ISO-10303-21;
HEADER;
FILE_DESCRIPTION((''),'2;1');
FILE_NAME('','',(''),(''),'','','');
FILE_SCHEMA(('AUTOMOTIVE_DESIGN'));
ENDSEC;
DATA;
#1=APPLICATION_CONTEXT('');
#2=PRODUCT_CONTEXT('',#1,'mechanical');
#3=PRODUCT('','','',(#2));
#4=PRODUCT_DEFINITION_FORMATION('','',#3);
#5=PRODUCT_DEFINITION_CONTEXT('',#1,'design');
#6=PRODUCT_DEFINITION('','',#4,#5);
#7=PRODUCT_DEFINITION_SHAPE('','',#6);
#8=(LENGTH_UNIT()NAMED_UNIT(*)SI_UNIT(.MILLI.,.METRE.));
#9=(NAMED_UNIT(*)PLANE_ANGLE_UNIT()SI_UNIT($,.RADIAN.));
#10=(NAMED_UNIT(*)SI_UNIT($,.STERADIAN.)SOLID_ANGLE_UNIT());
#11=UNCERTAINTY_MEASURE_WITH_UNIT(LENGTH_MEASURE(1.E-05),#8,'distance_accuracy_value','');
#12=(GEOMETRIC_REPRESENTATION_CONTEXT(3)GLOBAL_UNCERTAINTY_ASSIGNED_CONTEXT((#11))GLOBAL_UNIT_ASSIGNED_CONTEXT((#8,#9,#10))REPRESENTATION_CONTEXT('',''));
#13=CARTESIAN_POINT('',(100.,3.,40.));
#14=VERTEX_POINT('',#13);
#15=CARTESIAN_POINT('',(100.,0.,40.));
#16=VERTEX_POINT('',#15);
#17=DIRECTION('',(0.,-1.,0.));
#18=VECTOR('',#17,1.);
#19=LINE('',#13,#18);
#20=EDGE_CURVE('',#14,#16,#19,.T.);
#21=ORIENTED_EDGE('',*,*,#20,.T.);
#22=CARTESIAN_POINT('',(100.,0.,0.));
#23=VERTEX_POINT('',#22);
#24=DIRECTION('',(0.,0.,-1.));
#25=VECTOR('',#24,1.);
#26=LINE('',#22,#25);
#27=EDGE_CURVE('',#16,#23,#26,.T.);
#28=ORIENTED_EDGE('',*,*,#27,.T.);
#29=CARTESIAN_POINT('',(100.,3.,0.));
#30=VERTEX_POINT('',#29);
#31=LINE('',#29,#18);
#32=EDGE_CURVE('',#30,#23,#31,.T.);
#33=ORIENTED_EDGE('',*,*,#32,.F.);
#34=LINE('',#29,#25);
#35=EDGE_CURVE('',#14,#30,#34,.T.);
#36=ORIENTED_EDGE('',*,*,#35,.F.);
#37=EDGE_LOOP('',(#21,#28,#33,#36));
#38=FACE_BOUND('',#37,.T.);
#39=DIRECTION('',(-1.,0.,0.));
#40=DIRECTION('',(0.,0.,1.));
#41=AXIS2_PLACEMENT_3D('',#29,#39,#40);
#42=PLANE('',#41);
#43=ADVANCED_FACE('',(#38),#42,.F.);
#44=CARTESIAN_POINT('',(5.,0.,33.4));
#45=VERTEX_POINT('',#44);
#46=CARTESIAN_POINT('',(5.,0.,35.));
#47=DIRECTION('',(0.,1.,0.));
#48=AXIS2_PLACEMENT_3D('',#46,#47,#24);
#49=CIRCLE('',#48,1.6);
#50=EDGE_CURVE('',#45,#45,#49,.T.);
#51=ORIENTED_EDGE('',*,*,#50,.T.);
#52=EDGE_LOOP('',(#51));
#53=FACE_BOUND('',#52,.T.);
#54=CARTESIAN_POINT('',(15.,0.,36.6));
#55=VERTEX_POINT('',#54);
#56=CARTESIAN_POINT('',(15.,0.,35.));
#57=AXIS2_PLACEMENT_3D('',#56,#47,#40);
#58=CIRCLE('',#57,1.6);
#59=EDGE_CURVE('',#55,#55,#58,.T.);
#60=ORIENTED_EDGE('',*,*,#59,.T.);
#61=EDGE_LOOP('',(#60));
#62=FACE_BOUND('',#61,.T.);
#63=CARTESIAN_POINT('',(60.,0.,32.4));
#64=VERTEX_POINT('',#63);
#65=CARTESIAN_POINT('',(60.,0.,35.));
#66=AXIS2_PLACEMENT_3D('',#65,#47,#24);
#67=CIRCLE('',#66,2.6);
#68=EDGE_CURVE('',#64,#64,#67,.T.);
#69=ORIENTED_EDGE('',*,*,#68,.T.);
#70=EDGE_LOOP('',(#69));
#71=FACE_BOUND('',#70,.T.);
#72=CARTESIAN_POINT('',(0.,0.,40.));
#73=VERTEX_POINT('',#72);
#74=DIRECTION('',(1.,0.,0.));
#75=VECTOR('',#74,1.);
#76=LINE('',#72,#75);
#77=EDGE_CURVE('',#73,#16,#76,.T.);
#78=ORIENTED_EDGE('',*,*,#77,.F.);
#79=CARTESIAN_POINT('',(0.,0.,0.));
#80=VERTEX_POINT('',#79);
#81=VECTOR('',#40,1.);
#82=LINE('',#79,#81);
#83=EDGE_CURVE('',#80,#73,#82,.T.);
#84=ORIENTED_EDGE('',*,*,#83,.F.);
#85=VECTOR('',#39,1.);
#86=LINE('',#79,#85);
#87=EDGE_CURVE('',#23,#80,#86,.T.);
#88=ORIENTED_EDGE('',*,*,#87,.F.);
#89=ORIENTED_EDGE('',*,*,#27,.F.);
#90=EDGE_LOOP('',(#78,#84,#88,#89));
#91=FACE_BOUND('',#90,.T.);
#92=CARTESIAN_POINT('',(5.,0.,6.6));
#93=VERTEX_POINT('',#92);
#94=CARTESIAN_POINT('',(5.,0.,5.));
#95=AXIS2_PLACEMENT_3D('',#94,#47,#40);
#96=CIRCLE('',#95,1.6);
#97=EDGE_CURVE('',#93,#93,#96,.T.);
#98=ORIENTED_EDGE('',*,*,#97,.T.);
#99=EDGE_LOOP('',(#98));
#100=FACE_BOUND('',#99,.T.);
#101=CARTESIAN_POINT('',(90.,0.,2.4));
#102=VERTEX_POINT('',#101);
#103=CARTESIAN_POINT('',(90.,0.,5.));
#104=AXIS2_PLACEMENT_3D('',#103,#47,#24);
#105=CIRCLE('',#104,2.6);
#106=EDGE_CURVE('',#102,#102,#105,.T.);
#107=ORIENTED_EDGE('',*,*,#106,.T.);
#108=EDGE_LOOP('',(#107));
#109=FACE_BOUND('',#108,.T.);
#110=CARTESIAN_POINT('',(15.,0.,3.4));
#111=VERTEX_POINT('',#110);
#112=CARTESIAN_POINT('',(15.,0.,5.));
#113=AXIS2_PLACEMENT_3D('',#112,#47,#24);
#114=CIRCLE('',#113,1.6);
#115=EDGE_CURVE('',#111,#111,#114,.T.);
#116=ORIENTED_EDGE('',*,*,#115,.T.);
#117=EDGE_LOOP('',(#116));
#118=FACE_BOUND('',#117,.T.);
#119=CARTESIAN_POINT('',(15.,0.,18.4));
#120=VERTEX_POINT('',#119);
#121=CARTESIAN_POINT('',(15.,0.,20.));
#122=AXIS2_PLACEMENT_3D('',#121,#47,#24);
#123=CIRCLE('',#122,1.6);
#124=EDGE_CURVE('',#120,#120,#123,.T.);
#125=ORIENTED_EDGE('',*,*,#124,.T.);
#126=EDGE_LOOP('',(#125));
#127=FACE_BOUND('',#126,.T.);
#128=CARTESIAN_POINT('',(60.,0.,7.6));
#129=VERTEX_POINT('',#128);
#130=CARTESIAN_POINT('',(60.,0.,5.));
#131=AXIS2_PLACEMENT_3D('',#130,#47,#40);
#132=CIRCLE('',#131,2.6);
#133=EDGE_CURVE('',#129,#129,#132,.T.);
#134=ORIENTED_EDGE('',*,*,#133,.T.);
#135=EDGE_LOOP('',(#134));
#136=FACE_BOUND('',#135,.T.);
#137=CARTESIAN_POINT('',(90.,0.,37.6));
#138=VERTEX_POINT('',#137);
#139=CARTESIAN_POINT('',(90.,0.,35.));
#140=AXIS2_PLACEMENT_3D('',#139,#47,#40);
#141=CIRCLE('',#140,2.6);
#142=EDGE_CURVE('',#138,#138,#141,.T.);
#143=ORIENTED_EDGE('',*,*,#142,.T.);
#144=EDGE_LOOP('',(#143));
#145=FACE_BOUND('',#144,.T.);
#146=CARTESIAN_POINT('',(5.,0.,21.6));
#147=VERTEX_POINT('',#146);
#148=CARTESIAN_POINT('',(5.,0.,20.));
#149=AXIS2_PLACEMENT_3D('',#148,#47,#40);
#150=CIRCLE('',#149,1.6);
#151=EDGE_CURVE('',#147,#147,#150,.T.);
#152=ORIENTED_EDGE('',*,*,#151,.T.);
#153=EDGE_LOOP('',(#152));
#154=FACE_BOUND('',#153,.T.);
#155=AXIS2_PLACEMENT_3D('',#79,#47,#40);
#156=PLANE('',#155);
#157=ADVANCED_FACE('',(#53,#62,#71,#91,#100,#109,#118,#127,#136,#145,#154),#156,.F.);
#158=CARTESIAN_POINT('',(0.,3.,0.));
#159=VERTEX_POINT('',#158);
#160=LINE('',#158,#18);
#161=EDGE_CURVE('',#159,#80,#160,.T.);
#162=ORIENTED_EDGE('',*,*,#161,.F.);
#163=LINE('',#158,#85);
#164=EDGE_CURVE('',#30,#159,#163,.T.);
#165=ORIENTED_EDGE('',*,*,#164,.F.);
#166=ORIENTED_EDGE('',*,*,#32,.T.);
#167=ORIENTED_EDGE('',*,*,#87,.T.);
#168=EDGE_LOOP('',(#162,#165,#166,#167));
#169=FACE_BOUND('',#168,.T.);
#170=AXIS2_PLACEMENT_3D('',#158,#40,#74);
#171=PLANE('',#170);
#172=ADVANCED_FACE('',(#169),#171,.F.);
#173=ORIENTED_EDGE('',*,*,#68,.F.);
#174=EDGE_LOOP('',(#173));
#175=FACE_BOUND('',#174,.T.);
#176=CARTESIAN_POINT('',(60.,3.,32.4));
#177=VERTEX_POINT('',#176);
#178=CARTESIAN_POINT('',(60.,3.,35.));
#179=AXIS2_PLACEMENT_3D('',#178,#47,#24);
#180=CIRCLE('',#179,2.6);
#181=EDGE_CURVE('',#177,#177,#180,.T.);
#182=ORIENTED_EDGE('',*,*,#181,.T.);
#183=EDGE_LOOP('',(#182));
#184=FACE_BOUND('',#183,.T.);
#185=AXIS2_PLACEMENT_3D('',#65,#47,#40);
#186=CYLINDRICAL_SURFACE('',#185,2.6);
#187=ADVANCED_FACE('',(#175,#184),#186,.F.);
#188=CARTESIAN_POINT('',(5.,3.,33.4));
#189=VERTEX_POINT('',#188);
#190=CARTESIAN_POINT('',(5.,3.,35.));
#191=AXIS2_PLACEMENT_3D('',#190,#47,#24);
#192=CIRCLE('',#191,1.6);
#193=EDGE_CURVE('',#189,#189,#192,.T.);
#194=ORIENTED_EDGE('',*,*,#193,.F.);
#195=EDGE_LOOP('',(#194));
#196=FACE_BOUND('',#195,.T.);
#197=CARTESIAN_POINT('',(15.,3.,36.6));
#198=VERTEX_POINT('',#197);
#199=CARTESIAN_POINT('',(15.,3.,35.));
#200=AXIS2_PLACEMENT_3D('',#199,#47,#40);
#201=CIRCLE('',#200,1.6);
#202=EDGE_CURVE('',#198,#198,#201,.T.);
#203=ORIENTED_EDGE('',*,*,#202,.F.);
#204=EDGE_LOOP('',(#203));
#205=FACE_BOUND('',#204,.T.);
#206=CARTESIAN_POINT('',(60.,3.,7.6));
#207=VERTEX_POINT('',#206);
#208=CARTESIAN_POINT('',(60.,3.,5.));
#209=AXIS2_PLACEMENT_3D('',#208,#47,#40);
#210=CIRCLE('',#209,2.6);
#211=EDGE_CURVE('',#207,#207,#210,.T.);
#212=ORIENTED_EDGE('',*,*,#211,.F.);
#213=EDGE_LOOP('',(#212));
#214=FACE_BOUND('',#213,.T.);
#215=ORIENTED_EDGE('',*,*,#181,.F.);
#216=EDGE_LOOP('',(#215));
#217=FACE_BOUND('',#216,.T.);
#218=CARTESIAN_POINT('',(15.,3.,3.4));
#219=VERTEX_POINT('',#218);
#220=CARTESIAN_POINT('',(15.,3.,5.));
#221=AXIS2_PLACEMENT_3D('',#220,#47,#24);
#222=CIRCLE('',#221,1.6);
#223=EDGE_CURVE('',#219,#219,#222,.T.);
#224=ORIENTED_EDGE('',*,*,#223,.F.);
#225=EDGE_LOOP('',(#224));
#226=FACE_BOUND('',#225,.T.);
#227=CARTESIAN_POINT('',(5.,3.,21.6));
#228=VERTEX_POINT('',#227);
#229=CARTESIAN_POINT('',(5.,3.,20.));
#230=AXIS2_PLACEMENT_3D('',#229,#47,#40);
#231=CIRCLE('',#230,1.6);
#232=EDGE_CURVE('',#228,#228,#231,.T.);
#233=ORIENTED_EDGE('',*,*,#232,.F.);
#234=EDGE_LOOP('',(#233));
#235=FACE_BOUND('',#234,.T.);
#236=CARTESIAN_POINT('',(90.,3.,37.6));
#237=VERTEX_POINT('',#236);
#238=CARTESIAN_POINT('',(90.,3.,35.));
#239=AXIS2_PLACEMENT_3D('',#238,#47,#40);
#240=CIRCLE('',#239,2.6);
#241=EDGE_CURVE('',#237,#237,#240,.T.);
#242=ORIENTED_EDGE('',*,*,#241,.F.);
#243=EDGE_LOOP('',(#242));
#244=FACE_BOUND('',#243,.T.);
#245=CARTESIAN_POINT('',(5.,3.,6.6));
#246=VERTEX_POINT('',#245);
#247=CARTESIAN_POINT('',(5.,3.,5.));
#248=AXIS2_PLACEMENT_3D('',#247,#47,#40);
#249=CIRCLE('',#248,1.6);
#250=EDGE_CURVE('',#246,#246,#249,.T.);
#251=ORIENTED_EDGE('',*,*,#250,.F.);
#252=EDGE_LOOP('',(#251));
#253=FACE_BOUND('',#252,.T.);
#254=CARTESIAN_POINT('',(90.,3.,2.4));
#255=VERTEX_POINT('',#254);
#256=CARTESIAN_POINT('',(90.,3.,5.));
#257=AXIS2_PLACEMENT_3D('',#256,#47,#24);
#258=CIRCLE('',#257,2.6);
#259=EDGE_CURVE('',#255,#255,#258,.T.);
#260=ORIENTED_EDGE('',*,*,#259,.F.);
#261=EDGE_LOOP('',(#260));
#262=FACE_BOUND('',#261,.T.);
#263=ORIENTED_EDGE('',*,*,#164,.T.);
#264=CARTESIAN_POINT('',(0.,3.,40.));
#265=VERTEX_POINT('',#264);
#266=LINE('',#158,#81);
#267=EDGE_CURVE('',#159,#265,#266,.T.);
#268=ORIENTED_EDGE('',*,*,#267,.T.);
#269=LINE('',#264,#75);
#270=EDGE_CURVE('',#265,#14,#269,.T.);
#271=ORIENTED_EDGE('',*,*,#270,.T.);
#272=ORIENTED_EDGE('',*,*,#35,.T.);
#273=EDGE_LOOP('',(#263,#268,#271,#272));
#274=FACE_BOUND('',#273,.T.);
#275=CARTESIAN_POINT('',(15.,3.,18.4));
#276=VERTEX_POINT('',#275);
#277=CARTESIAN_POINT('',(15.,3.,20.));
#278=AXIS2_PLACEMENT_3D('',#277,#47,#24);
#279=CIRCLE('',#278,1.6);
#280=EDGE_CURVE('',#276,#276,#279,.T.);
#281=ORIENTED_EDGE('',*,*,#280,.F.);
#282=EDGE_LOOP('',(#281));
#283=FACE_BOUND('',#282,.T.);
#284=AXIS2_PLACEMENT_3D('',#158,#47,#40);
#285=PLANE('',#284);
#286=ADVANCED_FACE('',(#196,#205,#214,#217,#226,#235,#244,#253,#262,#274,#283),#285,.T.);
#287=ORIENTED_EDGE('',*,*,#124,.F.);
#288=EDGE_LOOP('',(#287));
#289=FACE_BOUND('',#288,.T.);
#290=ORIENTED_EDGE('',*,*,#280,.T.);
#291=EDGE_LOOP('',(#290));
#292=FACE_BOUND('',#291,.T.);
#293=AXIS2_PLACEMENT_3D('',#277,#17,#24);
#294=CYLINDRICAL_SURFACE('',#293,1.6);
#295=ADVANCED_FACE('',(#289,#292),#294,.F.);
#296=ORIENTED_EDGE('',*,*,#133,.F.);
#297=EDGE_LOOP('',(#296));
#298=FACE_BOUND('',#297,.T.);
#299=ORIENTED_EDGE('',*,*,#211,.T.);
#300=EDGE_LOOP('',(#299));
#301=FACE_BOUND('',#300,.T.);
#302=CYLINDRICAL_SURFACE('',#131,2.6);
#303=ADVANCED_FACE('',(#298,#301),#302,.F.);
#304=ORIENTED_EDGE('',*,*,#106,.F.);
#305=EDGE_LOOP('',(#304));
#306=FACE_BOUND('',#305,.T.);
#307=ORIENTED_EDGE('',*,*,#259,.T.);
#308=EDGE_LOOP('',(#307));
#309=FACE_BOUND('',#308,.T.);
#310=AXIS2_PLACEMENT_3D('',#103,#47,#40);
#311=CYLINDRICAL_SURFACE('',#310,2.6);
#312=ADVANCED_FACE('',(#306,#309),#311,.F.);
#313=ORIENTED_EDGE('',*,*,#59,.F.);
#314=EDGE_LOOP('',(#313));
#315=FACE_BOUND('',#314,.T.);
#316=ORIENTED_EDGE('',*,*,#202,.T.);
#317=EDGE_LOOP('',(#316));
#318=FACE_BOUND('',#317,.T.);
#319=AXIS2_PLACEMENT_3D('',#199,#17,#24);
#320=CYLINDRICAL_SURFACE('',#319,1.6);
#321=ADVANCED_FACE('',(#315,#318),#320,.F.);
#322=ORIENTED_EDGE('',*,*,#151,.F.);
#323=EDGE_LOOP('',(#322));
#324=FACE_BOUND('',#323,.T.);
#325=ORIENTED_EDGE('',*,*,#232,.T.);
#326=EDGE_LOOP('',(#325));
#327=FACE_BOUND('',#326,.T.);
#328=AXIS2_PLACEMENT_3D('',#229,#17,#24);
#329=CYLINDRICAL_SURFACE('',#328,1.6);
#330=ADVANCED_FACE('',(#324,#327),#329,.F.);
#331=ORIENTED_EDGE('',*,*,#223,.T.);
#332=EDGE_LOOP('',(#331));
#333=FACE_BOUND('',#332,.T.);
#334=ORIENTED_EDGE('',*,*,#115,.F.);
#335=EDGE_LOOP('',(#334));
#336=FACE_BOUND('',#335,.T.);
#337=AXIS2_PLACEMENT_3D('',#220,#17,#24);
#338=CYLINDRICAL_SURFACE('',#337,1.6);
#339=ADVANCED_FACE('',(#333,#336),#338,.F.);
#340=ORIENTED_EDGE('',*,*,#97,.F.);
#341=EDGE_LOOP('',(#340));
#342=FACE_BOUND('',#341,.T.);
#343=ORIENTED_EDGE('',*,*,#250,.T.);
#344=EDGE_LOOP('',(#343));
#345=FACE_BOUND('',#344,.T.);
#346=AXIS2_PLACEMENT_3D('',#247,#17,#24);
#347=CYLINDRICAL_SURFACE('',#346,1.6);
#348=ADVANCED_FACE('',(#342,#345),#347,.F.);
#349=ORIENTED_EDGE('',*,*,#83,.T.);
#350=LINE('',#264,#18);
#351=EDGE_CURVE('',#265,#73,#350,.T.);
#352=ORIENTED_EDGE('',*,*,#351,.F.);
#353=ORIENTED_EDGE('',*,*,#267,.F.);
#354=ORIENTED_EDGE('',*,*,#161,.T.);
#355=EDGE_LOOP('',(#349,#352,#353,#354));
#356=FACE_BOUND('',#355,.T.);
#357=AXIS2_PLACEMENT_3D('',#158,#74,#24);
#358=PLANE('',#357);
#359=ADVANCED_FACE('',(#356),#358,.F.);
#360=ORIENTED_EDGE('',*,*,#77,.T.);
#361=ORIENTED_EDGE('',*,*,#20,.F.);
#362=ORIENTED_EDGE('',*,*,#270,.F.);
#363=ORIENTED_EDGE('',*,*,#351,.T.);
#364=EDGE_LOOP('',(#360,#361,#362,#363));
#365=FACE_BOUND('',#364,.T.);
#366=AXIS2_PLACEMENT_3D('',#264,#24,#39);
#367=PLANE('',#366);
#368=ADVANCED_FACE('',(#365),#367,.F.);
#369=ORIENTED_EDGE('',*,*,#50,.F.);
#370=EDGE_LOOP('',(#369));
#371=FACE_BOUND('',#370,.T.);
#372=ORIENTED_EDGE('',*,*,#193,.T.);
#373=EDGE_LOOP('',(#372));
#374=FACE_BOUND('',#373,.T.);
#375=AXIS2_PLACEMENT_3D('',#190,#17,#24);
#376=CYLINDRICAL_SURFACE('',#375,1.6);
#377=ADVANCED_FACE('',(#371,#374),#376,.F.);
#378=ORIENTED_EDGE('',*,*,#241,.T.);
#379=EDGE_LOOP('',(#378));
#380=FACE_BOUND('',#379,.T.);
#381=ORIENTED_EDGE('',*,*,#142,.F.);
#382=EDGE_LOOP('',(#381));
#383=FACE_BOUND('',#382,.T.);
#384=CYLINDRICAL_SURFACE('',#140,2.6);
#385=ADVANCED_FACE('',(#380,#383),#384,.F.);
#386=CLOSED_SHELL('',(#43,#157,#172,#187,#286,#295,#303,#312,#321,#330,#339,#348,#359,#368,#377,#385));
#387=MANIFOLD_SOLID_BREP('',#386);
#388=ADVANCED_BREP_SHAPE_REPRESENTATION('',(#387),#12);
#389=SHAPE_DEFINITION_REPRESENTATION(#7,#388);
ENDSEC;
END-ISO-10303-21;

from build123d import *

# Parameters (mm, degrees)
SKETCH_1_W          = 100
SKETCH_1_H          = 40
SKETCH_1_R          = 1.6
EXTRUDE_1_DEPTH     = 3
SKETCH_2_R          = 2.6
CUT_EXTRUDE_1_DEPTH = 3


with BuildPart() as part:
    # 草图1 → 凸台-拉伸1 (new body)
    with BuildSketch(Plane(origin=(0, 0, 0), x_dir=(1, 0, 0), z_dir=(0, 1, 0))):
        with Locations((50, -20)):
            Rectangle(SKETCH_1_W, SKETCH_1_H)
        with Locations(Location((5, -20, 0), (0, 0, 270))):
            Circle(SKETCH_1_R, mode=Mode.SUBTRACT)
        with Locations(Location((5, -5, 0), (0, 0, 270))):
            Circle(SKETCH_1_R, mode=Mode.SUBTRACT)
        with Locations(Location((15, -20, 0), (0, 0, 90))):
            Circle(SKETCH_1_R, mode=Mode.SUBTRACT)
        with Locations(Location((15, -5, 0), (0, 0, 90))):
            Circle(SKETCH_1_R, mode=Mode.SUBTRACT)
        with Locations(Location((15, -35, 0), (0, 0, 270))):
            Circle(SKETCH_1_R, mode=Mode.SUBTRACT)
        with Locations(Location((5, -35, 0), (0, 0, 90))):
            Circle(SKETCH_1_R, mode=Mode.SUBTRACT)
    extrude(amount=EXTRUDE_1_DEPTH)

    # 草图2 → 切除-拉伸1 (cut)
    with BuildSketch(Plane(origin=(0, 3, 0), x_dir=(1, 0, 0), z_dir=(0, 1, 0))):
        with Locations(Location((60, -5, 0), (0, 0, 270))):
            Circle(SKETCH_2_R)
        with Locations(Location((60, -35, 0), (0, 0, 90))):
            Circle(SKETCH_2_R)
        with Locations(Location((90, -35, 0), (0, 0, 270))):
            Circle(SKETCH_2_R)
        with Locations(Location((90, -5, 0), (0, 0, 90))):
            Circle(SKETCH_2_R)
    extrude(amount=-CUT_EXTRUDE_1_DEPTH, mode=Mode.SUBTRACT)


solid = part.part
